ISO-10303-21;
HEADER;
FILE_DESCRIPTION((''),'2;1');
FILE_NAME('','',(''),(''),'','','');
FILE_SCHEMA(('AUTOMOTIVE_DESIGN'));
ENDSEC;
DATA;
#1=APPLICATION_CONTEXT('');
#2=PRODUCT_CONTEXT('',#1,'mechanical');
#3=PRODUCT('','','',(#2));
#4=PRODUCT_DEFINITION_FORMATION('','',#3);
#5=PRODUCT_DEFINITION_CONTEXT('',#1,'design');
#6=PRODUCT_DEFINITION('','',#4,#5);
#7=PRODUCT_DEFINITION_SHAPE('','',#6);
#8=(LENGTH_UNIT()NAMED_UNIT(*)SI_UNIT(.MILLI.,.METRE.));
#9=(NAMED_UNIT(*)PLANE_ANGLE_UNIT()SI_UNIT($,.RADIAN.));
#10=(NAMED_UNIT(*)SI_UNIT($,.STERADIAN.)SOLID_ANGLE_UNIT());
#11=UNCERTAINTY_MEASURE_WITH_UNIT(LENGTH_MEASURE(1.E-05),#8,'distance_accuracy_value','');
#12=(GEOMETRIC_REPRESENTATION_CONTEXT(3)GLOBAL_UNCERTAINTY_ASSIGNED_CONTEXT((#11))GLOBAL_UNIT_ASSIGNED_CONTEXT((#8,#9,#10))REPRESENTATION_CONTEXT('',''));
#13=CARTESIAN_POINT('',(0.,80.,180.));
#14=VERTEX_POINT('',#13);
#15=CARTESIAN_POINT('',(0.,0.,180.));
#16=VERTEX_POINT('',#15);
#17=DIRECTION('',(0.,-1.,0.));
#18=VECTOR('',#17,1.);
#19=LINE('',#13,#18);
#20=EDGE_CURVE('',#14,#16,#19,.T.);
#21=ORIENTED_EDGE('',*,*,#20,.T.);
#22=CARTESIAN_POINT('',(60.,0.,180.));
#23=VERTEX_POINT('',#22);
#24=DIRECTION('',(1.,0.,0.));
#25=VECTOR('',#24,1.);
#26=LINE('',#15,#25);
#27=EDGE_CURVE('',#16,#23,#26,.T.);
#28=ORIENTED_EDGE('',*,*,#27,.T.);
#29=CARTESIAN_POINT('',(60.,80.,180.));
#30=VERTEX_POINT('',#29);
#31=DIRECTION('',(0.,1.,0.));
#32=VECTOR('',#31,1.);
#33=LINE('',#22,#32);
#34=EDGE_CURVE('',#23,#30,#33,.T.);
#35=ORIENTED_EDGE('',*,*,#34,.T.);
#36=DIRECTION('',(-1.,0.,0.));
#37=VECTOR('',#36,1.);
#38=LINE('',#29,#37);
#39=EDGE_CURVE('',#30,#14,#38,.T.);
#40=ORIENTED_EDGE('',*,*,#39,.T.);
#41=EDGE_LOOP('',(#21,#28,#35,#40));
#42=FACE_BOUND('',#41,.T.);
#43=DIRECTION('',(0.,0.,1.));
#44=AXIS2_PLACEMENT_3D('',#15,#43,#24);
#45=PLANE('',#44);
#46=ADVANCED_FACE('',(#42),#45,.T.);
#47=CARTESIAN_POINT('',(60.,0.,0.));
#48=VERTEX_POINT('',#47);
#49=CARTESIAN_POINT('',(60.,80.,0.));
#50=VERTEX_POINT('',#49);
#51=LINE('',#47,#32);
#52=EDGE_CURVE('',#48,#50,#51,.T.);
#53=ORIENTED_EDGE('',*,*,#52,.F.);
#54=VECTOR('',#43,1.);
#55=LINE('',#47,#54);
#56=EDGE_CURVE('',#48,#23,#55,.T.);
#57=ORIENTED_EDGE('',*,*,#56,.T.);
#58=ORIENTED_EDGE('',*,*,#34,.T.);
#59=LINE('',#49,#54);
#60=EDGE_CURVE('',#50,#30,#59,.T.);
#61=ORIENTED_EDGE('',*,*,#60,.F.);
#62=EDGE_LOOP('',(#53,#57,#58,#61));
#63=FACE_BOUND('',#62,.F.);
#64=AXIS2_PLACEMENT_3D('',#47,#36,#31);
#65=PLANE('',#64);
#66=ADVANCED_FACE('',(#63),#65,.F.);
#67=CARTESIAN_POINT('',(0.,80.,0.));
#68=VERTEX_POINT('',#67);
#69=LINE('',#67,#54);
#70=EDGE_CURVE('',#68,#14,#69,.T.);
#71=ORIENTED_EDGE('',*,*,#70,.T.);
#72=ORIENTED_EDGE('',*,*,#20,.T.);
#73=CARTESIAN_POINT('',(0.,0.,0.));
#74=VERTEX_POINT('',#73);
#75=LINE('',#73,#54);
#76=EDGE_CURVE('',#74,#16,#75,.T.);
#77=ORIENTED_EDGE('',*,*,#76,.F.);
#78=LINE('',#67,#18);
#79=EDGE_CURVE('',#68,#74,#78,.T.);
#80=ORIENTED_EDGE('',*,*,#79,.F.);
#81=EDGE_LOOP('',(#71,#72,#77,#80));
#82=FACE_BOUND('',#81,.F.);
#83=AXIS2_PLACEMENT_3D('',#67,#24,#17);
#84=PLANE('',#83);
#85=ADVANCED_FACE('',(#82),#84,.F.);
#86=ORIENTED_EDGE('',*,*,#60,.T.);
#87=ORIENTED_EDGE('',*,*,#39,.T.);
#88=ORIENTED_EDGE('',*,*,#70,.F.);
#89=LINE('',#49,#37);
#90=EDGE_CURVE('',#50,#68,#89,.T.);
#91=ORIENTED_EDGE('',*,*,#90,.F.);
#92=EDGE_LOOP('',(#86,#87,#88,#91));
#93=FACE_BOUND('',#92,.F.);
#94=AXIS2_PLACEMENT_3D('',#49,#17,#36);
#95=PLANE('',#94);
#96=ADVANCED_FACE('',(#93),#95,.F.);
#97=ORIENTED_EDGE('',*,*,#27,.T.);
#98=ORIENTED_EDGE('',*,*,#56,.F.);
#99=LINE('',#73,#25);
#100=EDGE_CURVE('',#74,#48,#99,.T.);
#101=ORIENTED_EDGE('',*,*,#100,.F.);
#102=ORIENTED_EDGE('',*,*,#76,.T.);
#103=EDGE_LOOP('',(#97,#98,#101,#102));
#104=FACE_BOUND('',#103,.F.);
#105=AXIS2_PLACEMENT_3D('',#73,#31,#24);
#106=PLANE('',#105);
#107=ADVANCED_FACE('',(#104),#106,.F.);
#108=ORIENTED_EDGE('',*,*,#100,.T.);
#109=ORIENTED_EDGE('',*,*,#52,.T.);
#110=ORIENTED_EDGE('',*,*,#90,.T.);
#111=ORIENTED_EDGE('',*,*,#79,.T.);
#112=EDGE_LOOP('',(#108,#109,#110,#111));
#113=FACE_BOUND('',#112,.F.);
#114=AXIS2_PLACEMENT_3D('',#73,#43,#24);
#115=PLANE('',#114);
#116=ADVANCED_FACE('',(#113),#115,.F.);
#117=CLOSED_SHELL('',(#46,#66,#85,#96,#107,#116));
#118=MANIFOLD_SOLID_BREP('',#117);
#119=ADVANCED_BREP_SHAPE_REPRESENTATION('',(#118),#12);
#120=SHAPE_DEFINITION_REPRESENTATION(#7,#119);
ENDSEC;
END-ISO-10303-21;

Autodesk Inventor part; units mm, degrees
ref_plane "YZ Plane" through (0, 0, 0) normal (1, 0, 0) x (0, 1, 0)
ref_plane "XZ Plane" through (0, 0, 0) normal (0, 1, 0) x (-1, 0, 0)
ref_plane "XY Plane" through (0, 0, 0) normal (0, 0, 1) x (1, 0, 0)
sketch "Sketch1" plane through (0, 0, 0) normal (0, 0, 1) x (1, 0, 0)
  line L0 (0, 0) -> (60, 0)
  line L1 (60, 0) -> (60, 80)
  line L2 (60, 80) -> (0, 80)
  line L3 (0, 80) -> (0, 0)
  dimension "d0" = 60
  dimension "d1" = 80
extrude "Extrusion1" add sketch "Sketch1" along normal blind 180
properties part number "Battery"
